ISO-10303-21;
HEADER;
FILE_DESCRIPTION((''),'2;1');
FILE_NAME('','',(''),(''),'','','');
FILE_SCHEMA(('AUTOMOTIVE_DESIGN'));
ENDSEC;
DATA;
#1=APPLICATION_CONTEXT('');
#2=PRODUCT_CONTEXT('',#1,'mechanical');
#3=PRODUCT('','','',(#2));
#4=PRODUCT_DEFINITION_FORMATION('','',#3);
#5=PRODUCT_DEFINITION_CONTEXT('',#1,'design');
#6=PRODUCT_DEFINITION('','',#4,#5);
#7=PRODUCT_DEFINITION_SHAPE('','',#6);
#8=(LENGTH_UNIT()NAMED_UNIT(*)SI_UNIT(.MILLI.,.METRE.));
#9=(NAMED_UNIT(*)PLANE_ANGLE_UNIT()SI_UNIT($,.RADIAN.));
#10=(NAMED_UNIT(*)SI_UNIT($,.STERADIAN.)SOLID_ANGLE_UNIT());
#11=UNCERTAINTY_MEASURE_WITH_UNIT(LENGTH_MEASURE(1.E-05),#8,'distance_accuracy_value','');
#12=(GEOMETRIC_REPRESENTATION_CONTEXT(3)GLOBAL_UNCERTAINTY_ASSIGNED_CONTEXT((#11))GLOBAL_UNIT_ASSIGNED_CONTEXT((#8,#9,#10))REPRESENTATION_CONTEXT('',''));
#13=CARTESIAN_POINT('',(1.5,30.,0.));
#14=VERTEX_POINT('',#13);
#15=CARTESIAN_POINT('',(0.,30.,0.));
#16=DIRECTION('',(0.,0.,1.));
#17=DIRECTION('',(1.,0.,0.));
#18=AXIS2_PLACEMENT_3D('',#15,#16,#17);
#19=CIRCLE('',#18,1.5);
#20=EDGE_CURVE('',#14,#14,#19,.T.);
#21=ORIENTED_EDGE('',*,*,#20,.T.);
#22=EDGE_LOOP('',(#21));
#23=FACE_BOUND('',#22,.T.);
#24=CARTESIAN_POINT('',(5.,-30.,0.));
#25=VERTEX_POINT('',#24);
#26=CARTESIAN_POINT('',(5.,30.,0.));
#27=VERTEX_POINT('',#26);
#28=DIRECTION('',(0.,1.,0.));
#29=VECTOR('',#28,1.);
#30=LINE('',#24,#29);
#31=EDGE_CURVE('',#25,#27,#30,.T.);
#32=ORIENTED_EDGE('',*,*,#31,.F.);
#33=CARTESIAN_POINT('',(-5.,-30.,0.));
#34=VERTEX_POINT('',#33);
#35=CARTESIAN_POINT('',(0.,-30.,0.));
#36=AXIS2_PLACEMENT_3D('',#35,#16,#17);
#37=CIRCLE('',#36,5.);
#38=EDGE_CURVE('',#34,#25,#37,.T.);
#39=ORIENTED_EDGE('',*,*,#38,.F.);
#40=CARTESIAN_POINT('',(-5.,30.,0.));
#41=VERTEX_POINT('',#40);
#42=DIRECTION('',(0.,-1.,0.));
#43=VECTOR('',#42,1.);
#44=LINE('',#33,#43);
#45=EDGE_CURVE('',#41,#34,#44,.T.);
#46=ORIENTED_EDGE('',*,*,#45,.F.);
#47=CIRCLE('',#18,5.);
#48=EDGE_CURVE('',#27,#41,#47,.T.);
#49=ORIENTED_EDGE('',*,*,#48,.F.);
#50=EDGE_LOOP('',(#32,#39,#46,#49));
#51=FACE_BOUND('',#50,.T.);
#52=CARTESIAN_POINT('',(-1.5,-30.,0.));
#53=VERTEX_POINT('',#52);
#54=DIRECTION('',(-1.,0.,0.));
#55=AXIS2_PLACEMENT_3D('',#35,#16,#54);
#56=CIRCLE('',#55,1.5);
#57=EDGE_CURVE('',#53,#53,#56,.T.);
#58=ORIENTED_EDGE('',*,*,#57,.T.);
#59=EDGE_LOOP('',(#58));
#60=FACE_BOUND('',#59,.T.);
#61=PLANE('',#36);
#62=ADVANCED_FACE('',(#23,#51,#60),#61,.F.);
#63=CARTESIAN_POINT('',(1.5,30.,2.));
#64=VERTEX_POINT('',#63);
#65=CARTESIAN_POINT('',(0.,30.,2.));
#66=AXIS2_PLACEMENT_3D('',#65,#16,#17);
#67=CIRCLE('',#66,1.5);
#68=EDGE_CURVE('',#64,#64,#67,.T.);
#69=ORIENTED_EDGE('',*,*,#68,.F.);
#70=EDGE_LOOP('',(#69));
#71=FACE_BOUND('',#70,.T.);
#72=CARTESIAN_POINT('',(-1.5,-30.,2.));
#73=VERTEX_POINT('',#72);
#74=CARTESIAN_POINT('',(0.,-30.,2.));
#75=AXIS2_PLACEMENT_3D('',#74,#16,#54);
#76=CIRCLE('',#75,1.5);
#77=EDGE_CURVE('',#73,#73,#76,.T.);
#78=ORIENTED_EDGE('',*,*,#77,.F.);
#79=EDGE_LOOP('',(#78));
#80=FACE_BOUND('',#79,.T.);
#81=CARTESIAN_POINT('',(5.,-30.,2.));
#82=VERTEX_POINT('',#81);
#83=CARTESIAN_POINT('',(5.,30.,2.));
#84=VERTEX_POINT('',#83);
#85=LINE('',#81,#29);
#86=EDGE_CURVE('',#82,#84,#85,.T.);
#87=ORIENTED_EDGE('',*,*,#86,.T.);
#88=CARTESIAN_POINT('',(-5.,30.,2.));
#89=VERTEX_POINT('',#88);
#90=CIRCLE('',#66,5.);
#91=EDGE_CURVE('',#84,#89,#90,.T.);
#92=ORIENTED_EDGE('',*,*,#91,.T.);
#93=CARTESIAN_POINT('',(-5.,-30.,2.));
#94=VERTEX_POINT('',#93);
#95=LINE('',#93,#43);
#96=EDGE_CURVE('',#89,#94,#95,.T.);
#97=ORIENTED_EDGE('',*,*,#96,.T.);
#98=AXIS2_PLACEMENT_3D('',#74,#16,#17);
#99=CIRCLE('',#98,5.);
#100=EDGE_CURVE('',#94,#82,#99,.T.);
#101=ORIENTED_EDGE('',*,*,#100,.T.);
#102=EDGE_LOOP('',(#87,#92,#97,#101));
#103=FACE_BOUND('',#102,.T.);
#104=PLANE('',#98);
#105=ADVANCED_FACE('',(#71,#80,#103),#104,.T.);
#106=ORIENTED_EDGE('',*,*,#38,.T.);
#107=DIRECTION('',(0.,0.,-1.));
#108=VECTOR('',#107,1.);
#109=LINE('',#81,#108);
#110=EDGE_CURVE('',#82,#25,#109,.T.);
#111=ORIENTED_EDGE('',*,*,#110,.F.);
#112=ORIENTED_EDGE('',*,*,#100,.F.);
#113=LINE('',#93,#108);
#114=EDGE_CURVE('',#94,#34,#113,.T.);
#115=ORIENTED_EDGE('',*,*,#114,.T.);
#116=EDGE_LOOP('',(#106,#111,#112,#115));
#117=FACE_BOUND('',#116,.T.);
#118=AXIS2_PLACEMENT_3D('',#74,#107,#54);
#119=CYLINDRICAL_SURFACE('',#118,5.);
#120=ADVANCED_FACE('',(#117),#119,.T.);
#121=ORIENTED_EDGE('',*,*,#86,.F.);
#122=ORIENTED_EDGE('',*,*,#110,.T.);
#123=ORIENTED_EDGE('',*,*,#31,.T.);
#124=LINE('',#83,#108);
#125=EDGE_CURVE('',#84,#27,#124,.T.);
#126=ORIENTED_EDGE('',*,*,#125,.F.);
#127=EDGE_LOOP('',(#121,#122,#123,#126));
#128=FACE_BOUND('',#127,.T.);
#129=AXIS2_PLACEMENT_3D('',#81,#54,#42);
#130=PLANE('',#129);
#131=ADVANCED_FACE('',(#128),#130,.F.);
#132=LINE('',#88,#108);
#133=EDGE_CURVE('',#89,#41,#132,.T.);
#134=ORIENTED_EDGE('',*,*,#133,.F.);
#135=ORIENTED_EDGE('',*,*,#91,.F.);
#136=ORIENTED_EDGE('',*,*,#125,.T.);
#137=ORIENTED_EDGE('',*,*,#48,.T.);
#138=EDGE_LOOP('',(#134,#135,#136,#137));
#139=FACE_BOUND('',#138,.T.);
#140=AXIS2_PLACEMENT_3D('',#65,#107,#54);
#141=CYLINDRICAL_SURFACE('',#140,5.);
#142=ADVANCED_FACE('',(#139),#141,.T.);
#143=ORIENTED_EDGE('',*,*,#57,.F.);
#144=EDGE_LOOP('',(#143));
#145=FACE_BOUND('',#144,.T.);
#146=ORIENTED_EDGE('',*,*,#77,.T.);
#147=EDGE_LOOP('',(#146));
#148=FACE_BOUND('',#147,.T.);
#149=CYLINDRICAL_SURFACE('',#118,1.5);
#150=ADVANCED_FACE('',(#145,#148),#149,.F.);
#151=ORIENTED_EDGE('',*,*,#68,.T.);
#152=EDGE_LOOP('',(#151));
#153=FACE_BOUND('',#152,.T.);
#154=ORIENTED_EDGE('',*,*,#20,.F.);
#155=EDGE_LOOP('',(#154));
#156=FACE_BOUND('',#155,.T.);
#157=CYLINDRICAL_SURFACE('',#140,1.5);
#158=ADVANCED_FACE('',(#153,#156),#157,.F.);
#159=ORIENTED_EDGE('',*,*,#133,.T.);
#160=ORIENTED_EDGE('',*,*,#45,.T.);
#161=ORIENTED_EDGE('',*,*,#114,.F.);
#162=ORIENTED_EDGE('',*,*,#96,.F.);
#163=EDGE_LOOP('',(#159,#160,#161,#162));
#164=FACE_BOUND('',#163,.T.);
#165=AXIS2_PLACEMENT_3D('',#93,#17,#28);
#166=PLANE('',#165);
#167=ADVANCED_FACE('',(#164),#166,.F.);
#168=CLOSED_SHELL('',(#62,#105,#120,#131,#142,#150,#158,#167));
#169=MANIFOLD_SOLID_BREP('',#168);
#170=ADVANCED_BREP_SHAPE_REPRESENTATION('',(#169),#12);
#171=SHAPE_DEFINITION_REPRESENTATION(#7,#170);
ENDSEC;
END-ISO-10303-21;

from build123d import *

# Parameters (mm, degrees)
SKETCH_1_R      = 1.5
EXTRUDE_1_DEPTH = 2


with BuildPart() as part:
    # 草图1 → 凸台-拉伸1 (new body)
    with BuildSketch(Plane.XY):
        with BuildLine():
            Line((-5, -30), (-5, 30))
            ThreePointArc((-5, 30), (0, 35), (5, 30))
            Line((5, 30), (5, -30))
            ThreePointArc((5, -30), (0, -35), (-5, -30))
        make_face()
        with Locations((0, 30)):
            Circle(SKETCH_1_R, mode=Mode.SUBTRACT)
        with Locations(Location((0, -30, 0), (0, 0, 180))):
            Circle(SKETCH_1_R, mode=Mode.SUBTRACT)
    extrude(amount=EXTRUDE_1_DEPTH)


solid = part.part
